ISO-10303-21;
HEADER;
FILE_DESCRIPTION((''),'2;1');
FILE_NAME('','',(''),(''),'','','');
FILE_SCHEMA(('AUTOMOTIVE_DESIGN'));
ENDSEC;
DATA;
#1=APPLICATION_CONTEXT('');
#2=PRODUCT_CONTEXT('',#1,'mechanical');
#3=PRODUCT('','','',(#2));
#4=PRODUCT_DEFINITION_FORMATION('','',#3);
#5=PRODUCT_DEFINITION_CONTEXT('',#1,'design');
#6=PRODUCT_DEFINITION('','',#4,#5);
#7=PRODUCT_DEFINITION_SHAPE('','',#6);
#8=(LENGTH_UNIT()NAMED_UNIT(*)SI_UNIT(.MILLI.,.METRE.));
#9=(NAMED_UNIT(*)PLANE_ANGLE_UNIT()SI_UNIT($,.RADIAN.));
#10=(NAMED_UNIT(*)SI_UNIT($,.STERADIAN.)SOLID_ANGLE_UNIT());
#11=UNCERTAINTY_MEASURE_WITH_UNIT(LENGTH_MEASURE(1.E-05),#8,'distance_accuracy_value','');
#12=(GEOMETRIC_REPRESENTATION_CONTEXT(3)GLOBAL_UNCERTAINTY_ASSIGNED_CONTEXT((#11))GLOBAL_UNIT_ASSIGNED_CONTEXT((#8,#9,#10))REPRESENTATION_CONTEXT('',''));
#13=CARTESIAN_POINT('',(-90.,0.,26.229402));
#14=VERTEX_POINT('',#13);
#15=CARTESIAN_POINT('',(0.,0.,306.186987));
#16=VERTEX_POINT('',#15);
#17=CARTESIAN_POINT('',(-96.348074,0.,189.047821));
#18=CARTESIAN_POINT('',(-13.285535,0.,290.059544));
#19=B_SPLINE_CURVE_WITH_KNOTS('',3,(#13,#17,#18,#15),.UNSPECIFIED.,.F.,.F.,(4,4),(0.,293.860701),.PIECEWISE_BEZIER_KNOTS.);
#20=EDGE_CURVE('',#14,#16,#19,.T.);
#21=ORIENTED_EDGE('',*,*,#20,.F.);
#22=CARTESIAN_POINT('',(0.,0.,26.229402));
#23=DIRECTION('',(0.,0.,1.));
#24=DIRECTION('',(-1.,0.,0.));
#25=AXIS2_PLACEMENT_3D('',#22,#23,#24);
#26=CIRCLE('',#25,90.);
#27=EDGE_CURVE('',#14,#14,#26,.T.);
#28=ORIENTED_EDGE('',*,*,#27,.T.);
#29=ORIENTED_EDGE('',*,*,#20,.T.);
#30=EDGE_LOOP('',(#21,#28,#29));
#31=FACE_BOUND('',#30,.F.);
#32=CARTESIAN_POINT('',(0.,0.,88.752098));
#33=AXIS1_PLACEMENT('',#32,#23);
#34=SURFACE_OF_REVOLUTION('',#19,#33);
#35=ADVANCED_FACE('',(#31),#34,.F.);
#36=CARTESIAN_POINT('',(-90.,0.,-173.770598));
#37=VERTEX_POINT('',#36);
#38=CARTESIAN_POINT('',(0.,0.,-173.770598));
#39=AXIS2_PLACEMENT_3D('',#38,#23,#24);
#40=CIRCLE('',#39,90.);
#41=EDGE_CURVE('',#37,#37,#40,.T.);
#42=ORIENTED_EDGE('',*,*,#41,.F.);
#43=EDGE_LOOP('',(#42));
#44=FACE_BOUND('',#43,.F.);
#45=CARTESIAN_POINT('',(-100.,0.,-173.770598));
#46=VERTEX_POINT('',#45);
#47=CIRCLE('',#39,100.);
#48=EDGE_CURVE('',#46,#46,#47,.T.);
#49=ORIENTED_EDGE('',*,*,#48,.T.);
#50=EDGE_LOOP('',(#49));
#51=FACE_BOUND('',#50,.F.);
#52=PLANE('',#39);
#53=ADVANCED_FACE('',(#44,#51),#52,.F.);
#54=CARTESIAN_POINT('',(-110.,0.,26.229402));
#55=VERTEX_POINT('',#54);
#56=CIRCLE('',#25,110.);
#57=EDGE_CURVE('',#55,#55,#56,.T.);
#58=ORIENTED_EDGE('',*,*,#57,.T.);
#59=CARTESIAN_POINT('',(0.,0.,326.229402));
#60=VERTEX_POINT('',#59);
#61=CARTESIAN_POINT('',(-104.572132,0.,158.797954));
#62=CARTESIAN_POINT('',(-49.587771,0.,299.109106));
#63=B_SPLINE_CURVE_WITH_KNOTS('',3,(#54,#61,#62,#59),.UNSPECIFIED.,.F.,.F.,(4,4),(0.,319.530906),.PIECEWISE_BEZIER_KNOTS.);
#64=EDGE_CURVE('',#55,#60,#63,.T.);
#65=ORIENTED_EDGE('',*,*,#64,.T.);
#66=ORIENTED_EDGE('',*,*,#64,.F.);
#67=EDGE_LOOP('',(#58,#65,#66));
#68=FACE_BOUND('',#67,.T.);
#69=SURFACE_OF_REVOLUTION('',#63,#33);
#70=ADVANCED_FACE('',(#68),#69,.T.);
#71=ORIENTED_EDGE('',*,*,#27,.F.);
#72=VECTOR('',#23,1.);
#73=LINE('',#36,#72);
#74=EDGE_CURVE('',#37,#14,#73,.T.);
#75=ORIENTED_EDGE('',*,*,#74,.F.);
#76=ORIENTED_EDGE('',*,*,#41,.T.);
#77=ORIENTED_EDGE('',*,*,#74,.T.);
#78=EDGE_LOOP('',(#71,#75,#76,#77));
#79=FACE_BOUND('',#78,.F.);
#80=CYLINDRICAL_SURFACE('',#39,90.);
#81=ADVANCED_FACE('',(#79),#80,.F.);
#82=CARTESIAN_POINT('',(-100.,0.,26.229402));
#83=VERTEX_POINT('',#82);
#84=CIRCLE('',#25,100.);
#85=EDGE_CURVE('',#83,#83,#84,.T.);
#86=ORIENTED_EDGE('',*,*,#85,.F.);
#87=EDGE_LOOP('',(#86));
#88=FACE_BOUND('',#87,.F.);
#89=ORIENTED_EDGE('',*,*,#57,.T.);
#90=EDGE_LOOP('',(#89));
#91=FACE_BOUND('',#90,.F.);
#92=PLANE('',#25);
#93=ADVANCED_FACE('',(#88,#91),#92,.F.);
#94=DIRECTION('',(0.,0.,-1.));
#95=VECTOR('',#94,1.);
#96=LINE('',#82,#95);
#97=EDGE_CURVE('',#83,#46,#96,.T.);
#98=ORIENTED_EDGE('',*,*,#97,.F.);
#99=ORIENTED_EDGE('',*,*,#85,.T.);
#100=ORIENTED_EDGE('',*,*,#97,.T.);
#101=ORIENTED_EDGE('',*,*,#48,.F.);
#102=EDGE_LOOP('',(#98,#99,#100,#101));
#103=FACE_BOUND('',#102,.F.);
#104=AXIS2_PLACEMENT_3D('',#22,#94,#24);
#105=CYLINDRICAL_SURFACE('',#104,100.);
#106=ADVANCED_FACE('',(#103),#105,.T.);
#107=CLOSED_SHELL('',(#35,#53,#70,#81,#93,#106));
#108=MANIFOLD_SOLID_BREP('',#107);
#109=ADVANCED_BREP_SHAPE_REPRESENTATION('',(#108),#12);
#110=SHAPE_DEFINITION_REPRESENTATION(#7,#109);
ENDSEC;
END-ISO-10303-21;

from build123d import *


with BuildPart() as f1:
    # F0 (on Front) → F1 (revolve)
    with BuildSketch(Plane.XZ):
        with BuildLine():
            Line((-100, 26.229402), (-100, -173.770598))
            Line((-100, -173.770598), (-90, -173.770598))
            Line((-90, -173.770598), (-90, 26.229402))
            add(Edge.make_bspline(
                [(-90, 26.229402), (-96.348074, 189.047821), (-13.285535, 290.059544), (0, 306.186987)],
                knots=[0, 0, 0, 0, 293.860701, 293.860701, 293.860701, 293.860701], degree=3))
            Line((0, 306.186987), (0, 326.229402))
            add(Edge.make_bspline(
                [(-110, 26.229402), (-104.572132, 158.797954), (-49.587771, 299.109106), (0, 326.229402)],
                knots=[0, 0, 0, 0, 319.530906, 319.530906, 319.530906, 319.530906], degree=3))
            Line((-110, 26.229402), (-100, 26.229402))
        make_face()
    revolve(axis=Axis((0, 0, 88.752098), (0, 0, 1)))


solid = f1.part
